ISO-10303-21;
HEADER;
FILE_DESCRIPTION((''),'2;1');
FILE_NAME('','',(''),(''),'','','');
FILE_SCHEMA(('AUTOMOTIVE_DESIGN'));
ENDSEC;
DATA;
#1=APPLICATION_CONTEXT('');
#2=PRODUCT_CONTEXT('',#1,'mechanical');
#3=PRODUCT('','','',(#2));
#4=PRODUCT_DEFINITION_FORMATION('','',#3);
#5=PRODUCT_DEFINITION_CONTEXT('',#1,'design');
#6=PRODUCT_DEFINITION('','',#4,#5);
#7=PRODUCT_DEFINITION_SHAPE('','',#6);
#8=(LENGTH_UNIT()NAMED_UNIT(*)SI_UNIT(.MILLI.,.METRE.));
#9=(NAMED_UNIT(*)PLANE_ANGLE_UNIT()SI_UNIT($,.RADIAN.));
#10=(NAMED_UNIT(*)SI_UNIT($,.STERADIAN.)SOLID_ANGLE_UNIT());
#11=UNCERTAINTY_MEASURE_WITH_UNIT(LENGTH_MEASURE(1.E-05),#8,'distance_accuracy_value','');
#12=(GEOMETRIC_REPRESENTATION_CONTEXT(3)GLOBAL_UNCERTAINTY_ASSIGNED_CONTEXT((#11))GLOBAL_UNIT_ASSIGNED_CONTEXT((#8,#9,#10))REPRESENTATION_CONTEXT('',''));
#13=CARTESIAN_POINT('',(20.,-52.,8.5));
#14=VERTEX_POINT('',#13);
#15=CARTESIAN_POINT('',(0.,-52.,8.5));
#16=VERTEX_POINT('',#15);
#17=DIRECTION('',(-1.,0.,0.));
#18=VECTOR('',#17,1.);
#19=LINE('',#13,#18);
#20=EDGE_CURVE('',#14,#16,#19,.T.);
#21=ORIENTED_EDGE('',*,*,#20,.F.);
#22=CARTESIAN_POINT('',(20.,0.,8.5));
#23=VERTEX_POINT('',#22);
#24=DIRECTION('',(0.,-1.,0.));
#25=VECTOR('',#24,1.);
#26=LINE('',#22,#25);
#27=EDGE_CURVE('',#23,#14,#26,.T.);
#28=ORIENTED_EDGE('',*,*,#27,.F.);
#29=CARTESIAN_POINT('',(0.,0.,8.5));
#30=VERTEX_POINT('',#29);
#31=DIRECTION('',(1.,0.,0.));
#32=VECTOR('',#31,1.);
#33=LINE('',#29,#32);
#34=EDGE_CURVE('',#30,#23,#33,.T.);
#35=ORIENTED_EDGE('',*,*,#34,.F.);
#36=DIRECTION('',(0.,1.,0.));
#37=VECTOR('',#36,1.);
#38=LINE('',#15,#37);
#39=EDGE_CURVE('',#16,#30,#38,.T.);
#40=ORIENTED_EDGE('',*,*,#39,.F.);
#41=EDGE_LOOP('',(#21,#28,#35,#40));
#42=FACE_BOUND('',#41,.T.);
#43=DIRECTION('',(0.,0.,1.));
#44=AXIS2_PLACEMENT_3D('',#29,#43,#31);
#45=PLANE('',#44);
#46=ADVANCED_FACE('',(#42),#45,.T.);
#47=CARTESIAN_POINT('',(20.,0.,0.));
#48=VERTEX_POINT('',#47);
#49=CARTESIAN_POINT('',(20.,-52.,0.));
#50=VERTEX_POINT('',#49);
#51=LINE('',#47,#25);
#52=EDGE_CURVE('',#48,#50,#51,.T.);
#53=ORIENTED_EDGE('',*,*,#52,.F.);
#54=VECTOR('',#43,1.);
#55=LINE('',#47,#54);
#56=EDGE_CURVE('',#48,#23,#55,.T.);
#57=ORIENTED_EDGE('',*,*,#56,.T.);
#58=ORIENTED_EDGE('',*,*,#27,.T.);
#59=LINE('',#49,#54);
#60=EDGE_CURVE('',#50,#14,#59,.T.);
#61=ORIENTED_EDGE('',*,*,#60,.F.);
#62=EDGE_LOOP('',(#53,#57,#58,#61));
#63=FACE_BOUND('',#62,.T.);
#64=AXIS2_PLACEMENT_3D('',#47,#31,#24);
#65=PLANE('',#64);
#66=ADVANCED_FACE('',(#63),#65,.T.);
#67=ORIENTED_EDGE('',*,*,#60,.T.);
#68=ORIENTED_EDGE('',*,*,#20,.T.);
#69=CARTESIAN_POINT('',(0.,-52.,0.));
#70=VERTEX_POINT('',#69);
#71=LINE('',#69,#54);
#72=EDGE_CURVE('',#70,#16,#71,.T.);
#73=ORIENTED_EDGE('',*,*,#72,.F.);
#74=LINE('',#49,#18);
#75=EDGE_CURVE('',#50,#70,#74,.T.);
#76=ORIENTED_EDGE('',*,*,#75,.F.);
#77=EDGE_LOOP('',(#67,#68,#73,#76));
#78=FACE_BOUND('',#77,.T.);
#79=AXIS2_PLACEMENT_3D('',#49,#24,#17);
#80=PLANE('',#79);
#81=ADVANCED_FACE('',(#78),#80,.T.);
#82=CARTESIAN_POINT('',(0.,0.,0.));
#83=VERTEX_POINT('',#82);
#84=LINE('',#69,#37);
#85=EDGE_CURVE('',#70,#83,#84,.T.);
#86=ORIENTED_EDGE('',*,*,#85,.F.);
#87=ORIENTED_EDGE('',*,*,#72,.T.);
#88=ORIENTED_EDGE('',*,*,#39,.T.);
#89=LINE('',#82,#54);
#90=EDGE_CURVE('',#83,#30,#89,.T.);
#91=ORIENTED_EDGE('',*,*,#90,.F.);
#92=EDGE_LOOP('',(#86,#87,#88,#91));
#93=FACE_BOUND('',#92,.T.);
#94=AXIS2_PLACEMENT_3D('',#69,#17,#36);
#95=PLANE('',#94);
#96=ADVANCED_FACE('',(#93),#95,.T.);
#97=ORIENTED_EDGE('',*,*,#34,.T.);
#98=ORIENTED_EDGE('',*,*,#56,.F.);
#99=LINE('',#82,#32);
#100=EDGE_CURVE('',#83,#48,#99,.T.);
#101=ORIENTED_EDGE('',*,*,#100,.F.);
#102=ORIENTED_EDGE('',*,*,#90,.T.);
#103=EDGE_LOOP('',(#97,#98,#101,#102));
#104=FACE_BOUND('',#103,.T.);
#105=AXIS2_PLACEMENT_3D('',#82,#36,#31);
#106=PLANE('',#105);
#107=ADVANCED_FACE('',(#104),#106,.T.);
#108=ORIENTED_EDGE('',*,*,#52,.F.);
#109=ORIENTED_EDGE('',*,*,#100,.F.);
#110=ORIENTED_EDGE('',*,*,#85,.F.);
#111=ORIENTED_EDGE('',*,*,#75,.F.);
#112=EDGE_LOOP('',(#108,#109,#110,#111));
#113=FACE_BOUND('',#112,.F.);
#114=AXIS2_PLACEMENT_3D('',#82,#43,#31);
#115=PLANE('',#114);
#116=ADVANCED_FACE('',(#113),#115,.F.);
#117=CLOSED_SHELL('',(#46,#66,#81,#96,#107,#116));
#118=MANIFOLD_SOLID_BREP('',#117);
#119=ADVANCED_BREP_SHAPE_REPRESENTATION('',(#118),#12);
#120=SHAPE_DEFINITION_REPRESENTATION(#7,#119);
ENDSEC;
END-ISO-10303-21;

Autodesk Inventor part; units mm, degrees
ref_plane "YZ Plane" through (0, 0, 0) normal (1, 0, 0) x (0, 1, 0)
ref_plane "XZ Plane" through (0, 0, 0) normal (0, 1, 0) x (-1, 0, 0)
ref_plane "XY Plane" through (0, 0, 0) normal (0, 0, 1) x (1, 0, 0)
sketch "Sketch1" plane through (0, 0, 0) normal (0, 0, 1) x (1, 0, 0)
  line L0 (0, 0) -> (20, 0)
  line L1 (20, 0) -> (20, -52)
  line L2 (20, -52) -> (0, -52)
  line L3 (0, -52) -> (0, 0)
  dimension "d0" = 20
  dimension "d1" = 52
extrude "Extrusion1" add sketch "Sketch1" along normal blind 8.5
properties part number "BLHeli 12A ESC"
